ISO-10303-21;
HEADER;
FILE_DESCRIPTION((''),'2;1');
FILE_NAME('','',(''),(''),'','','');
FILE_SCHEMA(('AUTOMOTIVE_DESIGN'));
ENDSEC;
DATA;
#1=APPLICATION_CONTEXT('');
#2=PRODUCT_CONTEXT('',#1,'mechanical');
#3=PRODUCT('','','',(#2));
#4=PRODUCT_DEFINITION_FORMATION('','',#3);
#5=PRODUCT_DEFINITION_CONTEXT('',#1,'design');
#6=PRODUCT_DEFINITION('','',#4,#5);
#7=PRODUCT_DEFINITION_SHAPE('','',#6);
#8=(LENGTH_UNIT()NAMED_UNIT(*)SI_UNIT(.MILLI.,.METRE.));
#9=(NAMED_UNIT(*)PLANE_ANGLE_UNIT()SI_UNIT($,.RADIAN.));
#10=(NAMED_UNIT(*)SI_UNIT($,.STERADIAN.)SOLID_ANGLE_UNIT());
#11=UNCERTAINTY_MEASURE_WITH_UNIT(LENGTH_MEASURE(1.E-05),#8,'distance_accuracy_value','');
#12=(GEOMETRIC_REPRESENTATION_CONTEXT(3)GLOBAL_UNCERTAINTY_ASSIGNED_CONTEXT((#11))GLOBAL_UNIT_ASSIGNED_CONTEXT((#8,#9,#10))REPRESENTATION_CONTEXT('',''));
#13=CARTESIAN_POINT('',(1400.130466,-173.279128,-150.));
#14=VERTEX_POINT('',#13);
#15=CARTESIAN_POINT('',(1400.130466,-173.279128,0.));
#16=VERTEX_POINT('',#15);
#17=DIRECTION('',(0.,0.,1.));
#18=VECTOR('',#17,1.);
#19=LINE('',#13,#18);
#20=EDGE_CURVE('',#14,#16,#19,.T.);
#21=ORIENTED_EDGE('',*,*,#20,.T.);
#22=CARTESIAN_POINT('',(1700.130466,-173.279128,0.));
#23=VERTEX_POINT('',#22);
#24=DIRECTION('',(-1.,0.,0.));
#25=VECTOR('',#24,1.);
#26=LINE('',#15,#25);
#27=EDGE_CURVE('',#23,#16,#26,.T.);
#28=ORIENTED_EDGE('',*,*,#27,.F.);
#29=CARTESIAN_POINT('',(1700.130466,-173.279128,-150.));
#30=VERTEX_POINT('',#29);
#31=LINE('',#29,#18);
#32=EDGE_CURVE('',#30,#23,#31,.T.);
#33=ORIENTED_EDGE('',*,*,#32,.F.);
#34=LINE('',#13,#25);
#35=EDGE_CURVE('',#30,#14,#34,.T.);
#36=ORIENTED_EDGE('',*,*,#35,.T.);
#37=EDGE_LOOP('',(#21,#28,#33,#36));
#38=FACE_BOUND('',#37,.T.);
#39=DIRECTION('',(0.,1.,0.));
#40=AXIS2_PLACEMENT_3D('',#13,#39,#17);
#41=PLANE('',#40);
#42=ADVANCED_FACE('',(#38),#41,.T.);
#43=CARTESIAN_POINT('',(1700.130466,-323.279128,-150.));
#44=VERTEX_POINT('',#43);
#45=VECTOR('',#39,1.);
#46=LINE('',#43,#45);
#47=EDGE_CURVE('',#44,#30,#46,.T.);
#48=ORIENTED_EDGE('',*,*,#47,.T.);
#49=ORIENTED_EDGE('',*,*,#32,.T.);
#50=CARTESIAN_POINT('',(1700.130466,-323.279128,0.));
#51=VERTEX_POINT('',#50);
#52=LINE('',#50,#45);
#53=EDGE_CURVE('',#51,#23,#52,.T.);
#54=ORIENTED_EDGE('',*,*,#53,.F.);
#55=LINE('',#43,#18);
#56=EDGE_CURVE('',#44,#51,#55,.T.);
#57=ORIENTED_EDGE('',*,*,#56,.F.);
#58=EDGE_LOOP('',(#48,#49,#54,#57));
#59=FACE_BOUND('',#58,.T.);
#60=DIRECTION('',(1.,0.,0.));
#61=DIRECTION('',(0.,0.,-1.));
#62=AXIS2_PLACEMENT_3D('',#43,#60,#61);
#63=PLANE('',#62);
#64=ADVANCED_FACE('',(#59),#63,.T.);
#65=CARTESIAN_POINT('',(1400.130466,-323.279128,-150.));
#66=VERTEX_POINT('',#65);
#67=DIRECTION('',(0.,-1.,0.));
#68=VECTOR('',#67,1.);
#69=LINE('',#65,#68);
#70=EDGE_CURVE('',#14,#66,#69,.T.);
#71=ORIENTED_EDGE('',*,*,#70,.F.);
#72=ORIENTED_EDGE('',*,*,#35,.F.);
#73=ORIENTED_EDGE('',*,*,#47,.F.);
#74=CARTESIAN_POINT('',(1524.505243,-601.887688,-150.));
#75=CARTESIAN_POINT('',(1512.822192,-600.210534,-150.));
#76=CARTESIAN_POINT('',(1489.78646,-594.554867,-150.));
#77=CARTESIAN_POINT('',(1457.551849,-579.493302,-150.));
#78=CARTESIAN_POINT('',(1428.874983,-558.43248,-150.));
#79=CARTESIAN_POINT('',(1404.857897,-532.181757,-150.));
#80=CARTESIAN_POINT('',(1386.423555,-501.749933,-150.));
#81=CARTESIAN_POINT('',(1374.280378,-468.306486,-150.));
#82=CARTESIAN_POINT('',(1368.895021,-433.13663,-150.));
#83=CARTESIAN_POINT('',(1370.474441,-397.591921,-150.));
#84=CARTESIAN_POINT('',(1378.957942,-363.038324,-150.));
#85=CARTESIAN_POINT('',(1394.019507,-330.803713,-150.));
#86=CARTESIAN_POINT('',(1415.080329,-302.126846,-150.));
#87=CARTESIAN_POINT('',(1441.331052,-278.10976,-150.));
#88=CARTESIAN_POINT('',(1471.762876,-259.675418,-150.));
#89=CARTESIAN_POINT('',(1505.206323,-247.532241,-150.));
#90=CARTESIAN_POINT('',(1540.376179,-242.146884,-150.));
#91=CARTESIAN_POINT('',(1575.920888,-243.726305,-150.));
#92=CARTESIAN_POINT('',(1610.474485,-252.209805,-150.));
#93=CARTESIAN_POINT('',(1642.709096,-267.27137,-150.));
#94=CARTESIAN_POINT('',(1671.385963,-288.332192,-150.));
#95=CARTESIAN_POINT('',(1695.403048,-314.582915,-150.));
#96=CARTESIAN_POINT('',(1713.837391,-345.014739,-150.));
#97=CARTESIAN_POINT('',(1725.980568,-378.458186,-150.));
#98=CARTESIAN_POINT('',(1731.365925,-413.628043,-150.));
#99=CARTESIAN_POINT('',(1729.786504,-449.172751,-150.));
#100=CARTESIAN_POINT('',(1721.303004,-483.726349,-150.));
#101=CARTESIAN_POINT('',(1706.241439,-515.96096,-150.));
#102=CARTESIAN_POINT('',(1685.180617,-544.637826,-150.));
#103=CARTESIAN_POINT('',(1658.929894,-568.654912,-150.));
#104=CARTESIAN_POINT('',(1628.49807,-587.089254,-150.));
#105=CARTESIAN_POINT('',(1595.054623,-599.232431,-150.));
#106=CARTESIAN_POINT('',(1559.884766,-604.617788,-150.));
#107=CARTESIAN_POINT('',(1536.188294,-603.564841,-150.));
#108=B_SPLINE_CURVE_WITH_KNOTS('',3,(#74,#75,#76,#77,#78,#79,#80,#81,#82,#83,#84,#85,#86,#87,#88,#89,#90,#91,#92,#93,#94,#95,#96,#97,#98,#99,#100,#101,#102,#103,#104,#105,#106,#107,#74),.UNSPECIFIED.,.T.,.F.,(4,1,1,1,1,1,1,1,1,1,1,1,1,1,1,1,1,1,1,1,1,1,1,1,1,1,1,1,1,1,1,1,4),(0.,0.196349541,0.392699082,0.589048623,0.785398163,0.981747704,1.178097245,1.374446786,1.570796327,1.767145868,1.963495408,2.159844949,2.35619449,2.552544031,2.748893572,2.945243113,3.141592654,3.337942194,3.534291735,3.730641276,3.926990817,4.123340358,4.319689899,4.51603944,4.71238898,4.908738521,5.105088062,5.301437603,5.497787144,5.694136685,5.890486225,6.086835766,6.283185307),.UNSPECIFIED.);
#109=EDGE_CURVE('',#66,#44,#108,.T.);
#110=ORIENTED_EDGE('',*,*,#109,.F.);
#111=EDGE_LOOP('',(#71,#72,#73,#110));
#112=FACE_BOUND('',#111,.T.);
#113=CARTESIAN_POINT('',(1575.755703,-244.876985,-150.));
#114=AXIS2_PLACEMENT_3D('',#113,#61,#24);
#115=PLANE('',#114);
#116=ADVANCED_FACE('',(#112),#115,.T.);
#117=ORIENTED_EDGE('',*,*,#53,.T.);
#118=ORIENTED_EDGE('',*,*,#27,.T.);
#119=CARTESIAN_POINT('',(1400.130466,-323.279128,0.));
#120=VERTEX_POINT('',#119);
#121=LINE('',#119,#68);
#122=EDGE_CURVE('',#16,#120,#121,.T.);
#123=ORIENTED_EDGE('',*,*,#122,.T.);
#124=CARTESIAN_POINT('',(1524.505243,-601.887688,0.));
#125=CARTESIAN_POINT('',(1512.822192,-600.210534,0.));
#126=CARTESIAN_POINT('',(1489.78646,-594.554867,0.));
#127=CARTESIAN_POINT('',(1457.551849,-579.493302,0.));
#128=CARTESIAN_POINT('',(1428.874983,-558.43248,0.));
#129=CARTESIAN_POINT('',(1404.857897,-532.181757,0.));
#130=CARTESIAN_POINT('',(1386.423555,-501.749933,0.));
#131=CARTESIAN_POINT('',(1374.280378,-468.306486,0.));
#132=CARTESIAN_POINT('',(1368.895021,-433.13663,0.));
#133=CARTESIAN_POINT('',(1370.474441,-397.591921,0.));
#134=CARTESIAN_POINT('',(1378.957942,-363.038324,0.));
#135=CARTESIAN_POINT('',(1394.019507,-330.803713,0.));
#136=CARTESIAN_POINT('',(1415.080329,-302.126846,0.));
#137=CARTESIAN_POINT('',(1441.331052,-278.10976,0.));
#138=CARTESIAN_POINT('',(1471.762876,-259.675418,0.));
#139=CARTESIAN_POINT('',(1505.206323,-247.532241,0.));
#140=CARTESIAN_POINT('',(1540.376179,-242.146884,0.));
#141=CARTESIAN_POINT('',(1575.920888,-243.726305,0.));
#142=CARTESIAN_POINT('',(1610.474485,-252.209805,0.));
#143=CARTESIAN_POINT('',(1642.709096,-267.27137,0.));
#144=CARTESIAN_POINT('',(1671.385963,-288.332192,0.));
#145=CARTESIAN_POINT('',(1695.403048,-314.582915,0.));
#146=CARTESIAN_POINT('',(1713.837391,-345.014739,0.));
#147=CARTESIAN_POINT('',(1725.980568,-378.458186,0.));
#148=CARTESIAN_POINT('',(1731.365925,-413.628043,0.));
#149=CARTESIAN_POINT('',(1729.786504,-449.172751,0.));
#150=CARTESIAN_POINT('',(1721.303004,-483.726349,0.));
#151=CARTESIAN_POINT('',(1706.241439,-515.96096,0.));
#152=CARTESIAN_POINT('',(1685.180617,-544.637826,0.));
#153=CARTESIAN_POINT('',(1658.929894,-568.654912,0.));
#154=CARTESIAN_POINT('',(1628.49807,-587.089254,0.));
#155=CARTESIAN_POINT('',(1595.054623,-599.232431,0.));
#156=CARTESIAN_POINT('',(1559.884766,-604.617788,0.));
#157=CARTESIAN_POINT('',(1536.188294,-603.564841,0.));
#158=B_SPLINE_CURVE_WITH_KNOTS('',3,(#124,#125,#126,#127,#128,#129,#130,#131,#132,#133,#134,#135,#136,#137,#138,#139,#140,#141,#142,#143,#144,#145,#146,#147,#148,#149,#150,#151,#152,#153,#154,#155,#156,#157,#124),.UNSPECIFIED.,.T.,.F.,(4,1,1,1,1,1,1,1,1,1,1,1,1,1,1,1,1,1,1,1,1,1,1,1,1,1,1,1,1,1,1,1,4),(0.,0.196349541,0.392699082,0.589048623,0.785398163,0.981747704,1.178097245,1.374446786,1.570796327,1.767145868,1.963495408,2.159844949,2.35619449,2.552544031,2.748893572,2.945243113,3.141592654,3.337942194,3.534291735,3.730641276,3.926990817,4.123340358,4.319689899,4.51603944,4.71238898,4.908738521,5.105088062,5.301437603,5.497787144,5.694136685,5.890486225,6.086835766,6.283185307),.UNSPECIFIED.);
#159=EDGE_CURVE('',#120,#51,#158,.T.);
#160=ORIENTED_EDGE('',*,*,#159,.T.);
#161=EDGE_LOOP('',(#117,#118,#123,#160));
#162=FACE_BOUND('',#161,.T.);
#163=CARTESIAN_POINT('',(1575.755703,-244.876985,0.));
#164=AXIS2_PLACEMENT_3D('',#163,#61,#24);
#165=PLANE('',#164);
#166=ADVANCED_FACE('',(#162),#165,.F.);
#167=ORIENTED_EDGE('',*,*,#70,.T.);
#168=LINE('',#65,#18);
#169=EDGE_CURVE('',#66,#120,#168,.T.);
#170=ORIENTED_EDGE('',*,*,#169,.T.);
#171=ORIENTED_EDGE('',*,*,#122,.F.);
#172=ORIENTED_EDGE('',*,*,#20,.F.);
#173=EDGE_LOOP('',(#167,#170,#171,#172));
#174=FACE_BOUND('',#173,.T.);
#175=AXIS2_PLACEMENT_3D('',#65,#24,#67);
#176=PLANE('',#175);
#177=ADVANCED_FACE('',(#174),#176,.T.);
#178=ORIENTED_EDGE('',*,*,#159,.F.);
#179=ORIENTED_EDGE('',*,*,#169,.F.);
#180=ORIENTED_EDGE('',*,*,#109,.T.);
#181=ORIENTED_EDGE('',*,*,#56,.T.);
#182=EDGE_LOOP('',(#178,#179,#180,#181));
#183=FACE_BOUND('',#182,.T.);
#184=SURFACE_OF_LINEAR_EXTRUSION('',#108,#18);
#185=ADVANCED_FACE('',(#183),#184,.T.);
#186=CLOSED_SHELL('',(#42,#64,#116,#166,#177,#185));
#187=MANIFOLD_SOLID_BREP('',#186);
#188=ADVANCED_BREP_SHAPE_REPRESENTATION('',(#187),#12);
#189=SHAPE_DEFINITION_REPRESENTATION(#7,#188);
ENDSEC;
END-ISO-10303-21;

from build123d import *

# Parameters (mm, degrees)
BOSS_EXTRUDE1_DEPTH = 150


with BuildPart() as part:
    # Sketch1 → Boss-Extrude1 (new body)
    with BuildSketch(Plane.XY):
        with BuildLine():
            Line((1400.130465677, -323.279128227), (1400.130465677, -173.279128227))
            Line((1400.130465677, -173.279128227), (1700.130465677, -173.279128227))
            Line((1700.130465677, -173.279128227), (1700.130465677, -323.279128227))
            add(Edge.make_bspline(
                [(1700.130465677, -323.279128227), (1698.317438948, -320.562056975), (1689.612910417, -308.254282783), (1671.385962605, -288.332192119), (1642.70909627, -267.271370209), (1610.474485353, -252.209805174), (1575.920887874, -243.726304512), (1540.376179204, -242.146884395), (1505.206322566, -247.532241053), (1471.762875826, -259.675418249), (1441.331051887, -278.109760495), (1417.451149151, -299.957755682), (1404.907473934, -316.121897264), (1400.130465677, -323.279128227)],
                knots=[2.301855219, 2.301855219, 2.301855219, 2.301855219, 2.35619449, 2.552544031, 2.748893572, 2.945243113, 3.141592654, 3.337942194, 3.534291735, 3.730641276, 3.926990817, 4.123340358, 4.266490277, 4.266490277, 4.266490277, 4.266490277], degree=3))
        make_face()
    extrude(amount=-BOSS_EXTRUDE1_DEPTH)


solid = part.part
